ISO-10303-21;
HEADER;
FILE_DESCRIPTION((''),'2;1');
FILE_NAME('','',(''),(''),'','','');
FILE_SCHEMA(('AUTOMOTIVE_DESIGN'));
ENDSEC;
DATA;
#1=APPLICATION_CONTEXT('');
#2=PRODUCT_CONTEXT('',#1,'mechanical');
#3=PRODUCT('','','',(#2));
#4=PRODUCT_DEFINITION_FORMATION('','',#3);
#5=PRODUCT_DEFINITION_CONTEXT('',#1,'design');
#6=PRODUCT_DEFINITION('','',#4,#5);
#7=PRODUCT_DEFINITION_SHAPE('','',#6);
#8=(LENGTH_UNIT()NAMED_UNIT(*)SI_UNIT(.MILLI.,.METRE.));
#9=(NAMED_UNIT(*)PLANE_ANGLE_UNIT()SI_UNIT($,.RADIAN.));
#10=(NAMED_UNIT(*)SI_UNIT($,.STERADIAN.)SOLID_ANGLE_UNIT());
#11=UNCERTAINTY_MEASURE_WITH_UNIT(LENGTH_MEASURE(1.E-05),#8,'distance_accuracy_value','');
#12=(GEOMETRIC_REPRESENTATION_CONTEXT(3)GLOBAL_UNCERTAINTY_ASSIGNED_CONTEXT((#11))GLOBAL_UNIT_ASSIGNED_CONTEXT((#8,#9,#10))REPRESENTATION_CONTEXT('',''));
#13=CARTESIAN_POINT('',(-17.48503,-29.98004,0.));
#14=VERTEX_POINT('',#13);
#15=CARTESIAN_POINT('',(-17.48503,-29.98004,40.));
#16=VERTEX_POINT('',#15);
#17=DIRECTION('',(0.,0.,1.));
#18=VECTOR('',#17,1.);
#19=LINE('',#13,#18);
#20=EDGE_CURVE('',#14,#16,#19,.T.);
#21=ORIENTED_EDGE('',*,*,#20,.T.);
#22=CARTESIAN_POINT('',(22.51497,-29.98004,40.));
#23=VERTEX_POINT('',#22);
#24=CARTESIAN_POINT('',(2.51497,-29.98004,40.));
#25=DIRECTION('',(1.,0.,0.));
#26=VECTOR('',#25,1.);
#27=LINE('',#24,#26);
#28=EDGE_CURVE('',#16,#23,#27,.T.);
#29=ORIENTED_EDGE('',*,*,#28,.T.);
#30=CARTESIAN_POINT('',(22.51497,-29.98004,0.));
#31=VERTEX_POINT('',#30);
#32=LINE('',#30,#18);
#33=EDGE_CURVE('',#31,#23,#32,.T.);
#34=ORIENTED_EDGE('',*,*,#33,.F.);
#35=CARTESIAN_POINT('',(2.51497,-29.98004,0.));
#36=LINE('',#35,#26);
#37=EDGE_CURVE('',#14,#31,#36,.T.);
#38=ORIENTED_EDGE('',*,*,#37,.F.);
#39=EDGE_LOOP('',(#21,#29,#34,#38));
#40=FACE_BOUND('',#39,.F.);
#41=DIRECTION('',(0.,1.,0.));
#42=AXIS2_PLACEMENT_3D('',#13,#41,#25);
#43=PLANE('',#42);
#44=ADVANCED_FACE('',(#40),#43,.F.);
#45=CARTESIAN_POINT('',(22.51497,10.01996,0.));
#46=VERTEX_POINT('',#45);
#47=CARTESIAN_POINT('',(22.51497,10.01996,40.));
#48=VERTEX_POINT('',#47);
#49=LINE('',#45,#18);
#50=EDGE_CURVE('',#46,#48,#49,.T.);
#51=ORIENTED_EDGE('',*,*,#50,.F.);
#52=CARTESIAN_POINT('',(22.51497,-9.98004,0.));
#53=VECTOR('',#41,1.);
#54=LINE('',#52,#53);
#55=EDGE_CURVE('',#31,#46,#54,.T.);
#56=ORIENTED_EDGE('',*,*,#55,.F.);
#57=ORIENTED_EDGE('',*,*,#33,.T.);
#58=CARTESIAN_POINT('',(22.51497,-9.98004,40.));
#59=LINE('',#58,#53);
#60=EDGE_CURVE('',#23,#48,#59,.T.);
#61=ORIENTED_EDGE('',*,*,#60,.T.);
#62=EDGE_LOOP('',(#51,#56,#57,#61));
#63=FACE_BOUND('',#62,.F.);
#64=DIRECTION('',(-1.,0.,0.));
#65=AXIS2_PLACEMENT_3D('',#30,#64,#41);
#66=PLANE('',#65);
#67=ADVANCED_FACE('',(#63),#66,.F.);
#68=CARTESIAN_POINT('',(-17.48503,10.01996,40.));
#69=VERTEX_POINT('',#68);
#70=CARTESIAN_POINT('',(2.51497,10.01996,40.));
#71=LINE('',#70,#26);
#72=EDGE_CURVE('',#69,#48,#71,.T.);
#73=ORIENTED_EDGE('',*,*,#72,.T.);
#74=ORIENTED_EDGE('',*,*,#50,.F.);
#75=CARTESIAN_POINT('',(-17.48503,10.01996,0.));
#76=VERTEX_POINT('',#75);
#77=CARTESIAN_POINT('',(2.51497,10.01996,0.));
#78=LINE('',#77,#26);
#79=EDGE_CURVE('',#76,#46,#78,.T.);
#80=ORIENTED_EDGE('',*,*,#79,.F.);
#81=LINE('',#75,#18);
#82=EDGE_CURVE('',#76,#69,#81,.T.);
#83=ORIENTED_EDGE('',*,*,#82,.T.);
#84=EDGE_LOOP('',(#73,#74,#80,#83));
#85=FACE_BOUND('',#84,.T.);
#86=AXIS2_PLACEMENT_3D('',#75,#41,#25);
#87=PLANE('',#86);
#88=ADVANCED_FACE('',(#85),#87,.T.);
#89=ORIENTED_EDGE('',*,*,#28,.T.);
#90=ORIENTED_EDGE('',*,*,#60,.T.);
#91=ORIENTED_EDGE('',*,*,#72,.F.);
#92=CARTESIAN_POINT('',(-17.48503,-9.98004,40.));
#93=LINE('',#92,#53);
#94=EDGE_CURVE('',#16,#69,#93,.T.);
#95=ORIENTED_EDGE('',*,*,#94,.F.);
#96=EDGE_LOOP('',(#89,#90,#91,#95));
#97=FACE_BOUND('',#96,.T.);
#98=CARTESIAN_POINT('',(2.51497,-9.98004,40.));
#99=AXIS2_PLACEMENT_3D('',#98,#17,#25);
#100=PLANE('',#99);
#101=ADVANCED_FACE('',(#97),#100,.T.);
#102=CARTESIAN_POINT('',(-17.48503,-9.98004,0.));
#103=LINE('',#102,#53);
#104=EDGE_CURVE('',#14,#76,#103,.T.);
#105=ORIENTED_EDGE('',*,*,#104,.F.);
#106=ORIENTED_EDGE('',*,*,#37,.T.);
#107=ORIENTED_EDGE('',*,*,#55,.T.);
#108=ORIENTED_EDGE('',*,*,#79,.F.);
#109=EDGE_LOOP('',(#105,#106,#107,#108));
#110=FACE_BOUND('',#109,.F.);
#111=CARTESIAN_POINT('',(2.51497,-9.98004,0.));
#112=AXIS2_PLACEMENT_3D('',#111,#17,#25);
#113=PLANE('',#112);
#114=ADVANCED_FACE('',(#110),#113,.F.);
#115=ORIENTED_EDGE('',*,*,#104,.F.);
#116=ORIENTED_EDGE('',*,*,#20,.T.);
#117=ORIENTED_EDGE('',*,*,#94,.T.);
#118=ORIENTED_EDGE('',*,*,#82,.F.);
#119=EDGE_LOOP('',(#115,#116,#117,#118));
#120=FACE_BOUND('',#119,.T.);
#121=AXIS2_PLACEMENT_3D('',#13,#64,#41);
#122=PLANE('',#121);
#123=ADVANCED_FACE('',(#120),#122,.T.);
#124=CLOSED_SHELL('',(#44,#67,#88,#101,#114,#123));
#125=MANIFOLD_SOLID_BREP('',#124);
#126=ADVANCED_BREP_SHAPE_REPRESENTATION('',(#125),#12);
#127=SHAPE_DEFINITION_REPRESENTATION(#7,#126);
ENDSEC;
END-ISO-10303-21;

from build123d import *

# Parameters (mm, degrees)
SKETCH_1_W      = 40
SKETCH_1_H      = 40
EXTRUDE_1_DEPTH = 40


with BuildPart() as part:
    # 草图1 → 凸台-拉伸1 (new body)
    with BuildSketch(Plane.XY):
        with Locations((2.51497006, -9.98003992)):
            Rectangle(SKETCH_1_W, SKETCH_1_H)
    extrude(amount=EXTRUDE_1_DEPTH)


solid = part.part
